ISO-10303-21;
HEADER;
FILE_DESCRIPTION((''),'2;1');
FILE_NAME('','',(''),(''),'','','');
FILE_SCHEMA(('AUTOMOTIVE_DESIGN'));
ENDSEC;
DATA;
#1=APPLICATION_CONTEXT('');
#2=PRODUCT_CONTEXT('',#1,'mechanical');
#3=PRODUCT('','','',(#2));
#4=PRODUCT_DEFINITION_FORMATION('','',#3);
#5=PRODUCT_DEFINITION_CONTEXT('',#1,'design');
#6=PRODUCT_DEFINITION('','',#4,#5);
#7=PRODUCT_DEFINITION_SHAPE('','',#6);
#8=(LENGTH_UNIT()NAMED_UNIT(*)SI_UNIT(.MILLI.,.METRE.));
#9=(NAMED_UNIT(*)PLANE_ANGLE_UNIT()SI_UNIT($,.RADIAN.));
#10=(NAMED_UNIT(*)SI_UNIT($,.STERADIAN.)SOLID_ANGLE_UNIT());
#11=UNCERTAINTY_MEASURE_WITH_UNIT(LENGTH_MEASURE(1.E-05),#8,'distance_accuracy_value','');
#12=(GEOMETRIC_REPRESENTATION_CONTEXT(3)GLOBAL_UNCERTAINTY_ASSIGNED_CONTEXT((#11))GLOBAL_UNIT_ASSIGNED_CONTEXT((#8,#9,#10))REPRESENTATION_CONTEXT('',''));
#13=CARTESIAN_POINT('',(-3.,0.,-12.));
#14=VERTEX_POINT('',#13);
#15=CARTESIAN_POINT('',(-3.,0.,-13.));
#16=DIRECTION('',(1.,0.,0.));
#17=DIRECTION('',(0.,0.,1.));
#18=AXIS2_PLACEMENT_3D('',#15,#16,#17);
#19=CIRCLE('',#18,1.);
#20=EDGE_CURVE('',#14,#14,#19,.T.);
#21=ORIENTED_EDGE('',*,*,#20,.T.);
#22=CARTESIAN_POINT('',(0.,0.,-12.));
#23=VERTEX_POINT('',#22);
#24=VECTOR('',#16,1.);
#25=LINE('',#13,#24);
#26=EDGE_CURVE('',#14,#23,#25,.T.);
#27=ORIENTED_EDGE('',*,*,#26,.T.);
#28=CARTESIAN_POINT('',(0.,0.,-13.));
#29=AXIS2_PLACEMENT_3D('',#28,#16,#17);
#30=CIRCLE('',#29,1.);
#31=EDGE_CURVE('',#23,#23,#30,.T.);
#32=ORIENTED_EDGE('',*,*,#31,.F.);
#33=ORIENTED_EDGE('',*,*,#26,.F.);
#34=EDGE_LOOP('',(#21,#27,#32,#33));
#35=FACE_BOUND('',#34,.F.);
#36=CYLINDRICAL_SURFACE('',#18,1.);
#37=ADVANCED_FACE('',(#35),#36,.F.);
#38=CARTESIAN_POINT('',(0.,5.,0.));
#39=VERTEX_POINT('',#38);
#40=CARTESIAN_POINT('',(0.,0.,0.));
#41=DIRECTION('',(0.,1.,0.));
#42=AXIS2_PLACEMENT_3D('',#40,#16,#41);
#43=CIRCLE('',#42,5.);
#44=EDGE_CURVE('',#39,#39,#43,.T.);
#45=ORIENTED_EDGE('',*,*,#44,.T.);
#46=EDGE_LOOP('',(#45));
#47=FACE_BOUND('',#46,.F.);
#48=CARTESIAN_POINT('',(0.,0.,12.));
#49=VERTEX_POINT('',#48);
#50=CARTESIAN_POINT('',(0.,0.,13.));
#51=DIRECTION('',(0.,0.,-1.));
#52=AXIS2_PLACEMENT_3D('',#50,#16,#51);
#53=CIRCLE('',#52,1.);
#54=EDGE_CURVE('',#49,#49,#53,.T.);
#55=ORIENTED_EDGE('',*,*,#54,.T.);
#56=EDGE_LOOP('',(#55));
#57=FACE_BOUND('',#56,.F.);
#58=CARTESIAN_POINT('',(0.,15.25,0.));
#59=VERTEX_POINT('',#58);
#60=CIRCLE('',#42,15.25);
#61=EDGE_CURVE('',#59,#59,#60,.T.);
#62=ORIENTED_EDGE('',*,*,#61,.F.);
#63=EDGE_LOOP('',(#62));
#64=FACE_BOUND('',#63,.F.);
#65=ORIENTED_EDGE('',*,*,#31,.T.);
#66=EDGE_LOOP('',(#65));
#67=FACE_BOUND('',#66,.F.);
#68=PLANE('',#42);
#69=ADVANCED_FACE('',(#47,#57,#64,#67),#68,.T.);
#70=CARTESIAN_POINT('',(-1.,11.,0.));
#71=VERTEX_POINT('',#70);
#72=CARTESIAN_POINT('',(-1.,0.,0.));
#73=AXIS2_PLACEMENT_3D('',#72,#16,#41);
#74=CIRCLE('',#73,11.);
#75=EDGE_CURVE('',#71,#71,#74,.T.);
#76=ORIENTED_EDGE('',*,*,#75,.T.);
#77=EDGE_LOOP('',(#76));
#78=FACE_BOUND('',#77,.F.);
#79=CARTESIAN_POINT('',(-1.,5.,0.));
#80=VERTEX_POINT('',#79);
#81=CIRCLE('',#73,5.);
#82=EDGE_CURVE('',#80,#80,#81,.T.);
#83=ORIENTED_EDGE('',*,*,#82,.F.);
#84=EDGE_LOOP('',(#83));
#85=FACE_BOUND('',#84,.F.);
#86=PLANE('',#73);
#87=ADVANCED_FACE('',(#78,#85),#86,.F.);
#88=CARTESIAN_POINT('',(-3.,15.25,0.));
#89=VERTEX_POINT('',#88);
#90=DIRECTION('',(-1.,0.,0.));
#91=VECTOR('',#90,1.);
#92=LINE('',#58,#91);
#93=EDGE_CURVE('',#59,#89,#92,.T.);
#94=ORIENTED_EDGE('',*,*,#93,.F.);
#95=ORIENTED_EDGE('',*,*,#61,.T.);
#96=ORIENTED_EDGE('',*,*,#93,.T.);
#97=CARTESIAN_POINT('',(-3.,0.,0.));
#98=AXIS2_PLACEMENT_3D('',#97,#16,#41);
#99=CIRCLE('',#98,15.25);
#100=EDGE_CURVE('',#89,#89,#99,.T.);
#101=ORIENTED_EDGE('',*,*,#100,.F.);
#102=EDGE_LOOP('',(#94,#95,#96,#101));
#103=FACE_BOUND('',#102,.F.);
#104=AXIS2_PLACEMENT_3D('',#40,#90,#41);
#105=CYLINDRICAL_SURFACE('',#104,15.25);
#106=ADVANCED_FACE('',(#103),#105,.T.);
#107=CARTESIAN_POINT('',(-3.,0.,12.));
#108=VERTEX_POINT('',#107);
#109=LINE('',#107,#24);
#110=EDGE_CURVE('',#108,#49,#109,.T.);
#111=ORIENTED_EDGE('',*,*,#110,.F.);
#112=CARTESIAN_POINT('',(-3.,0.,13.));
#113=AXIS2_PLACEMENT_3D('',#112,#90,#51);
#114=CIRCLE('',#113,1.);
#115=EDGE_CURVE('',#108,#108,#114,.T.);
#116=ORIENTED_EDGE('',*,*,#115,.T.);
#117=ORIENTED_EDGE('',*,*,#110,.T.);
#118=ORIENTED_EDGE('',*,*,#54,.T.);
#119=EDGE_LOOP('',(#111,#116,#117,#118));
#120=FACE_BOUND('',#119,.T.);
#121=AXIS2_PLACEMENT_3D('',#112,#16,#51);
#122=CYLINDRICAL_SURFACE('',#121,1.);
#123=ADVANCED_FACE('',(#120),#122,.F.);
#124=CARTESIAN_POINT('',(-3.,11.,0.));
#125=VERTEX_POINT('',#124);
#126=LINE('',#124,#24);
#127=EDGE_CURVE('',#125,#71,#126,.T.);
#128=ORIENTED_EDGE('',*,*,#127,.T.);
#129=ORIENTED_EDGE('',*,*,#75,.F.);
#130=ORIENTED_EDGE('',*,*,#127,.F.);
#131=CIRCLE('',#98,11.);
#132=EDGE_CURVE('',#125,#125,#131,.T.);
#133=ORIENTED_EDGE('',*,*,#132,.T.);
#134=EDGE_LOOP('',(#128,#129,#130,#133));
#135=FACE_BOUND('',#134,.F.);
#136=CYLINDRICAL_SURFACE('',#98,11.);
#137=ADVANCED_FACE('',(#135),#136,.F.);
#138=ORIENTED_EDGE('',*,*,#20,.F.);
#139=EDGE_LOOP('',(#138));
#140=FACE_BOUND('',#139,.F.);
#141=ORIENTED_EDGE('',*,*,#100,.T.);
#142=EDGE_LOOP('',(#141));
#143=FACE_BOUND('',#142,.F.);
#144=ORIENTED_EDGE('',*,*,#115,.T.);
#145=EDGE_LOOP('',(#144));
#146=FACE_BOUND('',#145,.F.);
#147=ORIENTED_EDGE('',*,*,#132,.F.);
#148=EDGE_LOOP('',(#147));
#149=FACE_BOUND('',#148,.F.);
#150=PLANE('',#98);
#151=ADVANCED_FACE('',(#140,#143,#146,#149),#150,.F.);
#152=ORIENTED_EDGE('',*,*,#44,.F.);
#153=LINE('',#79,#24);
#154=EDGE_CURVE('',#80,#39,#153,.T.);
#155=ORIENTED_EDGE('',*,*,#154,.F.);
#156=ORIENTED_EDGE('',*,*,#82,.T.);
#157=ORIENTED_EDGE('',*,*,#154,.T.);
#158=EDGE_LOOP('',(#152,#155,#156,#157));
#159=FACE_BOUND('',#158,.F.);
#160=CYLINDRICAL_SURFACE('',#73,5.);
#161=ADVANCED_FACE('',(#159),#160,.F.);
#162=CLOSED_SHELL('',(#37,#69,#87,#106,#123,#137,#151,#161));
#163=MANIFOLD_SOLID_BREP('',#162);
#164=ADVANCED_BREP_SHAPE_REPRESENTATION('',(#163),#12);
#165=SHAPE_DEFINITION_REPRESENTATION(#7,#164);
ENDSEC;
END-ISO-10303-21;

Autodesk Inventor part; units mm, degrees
ref_plane "YZ Plane" through (0, 0, 0) normal (1, 0, 0) x (0, 1, 0)
ref_plane "XZ Plane" through (0, 0, 0) normal (0, 1, 0) x (-1, 0, 0)
ref_plane "XY Plane" through (0, 0, 0) normal (0, 0, 1) x (1, 0, 0)
sketch "Sketch1" plane through (0, 0, 0) normal (0, 0, 1) x (1, 0, 0)
  line L0 (0, -3.05) -> (0, 18.3) construction
  line L1 (-3.6, 0) -> (0.6, 0) construction
  line L2 (0, 5) -> (0, 15.25)
  line L3 (0, 15.25) -> (-3, 15.25)
  line L4 (-3, 15.25) -> (-3, 11)
  line L5 (-3, 11) -> (-1, 11)
  line L6 (-1, 11) -> (-1, 5)
  line L7 (-1, 5) -> (0, 5)
  point P0 (0, 0)
  dimension "d0" = 30.5
  dimension "d1" = 10
  dimension "d2" = 22
  dimension "d3" = 1
  dimension "d4" = 3
revolve "Revolution1" add sketch "Sketch1" angle 360 about axis through (-10, 0, 0) along (1, 0, 0)
sketch "Sketch2" plane through (-3, 0, 0) normal (-1, 0, 0) x (0, 0, 1)
  line L0 (0, -21.35) -> (0, 21.35) projected
  line L1 (-21.35, 0) -> (21.35, 0) projected
  point P0 (0, 0)
  point P1 (-13, 0)
  dimension "d6" = 13
hole "Hole1" at (-3, 0, -13) direction (1, 0, 0) diameter 2 end through all
mirror "Mirror1" about plane through (0, 0, 0) normal (0, 0, 1) of "Hole1"
properties part number "P119PorteLentilleSouple" material "ABS Plastic"
